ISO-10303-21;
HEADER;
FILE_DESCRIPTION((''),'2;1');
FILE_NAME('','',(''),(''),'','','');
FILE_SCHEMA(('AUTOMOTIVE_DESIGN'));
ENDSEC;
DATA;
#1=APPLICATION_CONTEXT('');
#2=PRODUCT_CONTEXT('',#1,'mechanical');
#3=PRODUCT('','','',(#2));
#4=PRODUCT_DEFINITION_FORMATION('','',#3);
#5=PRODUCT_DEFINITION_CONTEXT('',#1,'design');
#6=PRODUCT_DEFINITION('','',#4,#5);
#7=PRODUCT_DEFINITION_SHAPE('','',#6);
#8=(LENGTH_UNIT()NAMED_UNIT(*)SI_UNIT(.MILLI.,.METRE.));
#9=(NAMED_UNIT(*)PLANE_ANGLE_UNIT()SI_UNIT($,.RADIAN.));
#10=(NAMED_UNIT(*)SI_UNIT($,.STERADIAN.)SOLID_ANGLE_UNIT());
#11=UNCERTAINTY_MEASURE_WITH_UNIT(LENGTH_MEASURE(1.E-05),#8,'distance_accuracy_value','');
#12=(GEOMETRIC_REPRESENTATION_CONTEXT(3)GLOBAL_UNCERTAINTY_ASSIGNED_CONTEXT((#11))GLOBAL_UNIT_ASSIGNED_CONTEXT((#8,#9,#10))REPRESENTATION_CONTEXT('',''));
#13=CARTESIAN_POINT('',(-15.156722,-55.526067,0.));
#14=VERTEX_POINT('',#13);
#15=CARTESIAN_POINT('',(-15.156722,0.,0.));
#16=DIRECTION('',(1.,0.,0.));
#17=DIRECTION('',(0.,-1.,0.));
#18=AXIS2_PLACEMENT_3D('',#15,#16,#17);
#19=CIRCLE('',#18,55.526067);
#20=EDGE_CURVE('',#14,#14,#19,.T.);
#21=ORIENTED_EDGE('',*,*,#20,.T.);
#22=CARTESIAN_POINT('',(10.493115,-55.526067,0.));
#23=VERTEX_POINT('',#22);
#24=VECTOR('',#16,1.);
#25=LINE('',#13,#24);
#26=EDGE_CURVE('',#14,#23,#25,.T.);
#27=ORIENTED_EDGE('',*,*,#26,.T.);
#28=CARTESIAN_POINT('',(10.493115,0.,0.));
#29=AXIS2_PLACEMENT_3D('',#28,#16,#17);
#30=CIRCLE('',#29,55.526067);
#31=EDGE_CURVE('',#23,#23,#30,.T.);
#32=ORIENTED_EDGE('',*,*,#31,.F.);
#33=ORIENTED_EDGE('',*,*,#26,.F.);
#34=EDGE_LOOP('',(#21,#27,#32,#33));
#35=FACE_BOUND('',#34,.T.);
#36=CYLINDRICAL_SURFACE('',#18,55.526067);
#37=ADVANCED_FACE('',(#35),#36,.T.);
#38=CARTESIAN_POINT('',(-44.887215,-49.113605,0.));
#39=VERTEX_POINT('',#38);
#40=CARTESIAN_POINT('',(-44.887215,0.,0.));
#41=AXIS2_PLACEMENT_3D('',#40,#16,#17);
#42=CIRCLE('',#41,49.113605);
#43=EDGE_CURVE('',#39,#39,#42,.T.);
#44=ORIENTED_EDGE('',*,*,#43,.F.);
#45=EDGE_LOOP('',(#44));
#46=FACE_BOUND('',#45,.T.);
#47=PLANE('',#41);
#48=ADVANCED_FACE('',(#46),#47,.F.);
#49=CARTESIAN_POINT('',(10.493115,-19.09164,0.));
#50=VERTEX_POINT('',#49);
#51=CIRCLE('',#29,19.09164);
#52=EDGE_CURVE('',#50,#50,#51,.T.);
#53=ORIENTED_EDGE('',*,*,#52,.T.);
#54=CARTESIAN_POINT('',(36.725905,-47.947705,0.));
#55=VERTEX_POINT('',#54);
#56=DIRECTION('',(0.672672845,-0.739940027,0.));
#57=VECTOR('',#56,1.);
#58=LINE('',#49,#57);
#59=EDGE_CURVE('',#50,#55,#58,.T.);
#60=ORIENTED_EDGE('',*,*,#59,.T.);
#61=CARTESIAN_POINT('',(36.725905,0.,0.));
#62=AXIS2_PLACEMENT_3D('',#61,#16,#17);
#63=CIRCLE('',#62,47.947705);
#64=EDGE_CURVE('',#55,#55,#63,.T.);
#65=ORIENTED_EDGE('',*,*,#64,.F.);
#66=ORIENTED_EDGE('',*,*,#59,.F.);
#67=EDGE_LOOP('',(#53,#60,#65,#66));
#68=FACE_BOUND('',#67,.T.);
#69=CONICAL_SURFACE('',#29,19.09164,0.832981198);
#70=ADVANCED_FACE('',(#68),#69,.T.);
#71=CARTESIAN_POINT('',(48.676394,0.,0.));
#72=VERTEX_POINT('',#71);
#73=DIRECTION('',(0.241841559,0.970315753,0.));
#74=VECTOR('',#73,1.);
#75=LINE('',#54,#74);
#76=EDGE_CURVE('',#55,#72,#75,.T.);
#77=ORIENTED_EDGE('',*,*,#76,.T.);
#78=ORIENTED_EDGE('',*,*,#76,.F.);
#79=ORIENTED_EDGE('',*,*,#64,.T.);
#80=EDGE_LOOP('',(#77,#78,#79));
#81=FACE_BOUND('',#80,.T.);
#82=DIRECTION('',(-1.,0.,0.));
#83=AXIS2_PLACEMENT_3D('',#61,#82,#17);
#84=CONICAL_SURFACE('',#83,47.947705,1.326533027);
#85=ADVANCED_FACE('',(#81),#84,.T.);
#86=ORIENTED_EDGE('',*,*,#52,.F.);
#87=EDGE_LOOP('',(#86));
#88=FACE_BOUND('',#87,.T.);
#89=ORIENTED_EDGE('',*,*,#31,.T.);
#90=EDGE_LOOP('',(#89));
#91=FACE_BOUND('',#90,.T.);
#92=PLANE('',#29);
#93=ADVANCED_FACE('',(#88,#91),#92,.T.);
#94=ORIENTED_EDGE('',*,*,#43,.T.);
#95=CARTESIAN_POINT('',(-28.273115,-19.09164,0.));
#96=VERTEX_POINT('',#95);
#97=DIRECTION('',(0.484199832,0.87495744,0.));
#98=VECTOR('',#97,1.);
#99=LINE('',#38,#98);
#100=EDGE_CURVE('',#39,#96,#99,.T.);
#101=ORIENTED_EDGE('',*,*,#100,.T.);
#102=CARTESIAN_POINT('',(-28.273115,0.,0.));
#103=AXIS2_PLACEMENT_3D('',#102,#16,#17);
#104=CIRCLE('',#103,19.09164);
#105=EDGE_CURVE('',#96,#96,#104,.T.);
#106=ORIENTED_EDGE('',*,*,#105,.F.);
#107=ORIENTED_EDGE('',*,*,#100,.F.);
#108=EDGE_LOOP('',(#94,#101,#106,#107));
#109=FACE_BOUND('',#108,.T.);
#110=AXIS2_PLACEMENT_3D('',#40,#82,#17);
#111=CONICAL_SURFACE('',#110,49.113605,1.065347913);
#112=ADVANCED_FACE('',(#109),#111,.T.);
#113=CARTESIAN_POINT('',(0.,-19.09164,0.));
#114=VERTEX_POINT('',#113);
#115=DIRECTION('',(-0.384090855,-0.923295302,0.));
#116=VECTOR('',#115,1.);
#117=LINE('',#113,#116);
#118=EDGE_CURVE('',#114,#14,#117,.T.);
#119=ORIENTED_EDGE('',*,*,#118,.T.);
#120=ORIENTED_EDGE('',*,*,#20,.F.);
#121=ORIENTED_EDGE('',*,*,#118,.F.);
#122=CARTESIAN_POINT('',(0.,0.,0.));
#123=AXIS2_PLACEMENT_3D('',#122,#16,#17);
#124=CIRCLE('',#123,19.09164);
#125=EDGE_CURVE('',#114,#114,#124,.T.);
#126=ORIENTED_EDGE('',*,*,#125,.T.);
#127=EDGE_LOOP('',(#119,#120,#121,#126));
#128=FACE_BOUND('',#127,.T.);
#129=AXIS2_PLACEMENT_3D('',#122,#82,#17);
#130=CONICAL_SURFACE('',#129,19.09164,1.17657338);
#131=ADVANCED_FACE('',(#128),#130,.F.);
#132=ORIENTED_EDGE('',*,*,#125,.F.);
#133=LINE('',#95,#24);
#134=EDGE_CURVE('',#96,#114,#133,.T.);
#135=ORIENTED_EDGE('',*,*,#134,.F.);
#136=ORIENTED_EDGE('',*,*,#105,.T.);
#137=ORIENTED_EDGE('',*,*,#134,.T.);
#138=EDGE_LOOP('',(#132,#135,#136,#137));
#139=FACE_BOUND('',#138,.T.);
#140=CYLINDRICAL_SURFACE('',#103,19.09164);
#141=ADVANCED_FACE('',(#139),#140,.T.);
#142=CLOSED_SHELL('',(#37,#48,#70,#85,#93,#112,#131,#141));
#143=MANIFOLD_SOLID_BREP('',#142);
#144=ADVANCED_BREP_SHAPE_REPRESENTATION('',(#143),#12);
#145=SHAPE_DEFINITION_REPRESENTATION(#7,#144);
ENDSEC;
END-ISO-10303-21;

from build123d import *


with BuildPart() as f1:
    # F0 (on Top) → F1 (revolve)
    with BuildSketch(Plane.XY):
        Polygon((48.676394, 0), (-44.887215, 0), (-44.887215, -49.113605), (-28.273115, -19.09164), (0, -19.09164), (-15.156722, -55.526067), (10.493115, -55.526067), (10.493115, -19.09164), (36.725905, -47.947705), align=None)
    revolve(axis=Axis((1.603115, 0, 0), (1, 0, 0)))


solid = f1.part
